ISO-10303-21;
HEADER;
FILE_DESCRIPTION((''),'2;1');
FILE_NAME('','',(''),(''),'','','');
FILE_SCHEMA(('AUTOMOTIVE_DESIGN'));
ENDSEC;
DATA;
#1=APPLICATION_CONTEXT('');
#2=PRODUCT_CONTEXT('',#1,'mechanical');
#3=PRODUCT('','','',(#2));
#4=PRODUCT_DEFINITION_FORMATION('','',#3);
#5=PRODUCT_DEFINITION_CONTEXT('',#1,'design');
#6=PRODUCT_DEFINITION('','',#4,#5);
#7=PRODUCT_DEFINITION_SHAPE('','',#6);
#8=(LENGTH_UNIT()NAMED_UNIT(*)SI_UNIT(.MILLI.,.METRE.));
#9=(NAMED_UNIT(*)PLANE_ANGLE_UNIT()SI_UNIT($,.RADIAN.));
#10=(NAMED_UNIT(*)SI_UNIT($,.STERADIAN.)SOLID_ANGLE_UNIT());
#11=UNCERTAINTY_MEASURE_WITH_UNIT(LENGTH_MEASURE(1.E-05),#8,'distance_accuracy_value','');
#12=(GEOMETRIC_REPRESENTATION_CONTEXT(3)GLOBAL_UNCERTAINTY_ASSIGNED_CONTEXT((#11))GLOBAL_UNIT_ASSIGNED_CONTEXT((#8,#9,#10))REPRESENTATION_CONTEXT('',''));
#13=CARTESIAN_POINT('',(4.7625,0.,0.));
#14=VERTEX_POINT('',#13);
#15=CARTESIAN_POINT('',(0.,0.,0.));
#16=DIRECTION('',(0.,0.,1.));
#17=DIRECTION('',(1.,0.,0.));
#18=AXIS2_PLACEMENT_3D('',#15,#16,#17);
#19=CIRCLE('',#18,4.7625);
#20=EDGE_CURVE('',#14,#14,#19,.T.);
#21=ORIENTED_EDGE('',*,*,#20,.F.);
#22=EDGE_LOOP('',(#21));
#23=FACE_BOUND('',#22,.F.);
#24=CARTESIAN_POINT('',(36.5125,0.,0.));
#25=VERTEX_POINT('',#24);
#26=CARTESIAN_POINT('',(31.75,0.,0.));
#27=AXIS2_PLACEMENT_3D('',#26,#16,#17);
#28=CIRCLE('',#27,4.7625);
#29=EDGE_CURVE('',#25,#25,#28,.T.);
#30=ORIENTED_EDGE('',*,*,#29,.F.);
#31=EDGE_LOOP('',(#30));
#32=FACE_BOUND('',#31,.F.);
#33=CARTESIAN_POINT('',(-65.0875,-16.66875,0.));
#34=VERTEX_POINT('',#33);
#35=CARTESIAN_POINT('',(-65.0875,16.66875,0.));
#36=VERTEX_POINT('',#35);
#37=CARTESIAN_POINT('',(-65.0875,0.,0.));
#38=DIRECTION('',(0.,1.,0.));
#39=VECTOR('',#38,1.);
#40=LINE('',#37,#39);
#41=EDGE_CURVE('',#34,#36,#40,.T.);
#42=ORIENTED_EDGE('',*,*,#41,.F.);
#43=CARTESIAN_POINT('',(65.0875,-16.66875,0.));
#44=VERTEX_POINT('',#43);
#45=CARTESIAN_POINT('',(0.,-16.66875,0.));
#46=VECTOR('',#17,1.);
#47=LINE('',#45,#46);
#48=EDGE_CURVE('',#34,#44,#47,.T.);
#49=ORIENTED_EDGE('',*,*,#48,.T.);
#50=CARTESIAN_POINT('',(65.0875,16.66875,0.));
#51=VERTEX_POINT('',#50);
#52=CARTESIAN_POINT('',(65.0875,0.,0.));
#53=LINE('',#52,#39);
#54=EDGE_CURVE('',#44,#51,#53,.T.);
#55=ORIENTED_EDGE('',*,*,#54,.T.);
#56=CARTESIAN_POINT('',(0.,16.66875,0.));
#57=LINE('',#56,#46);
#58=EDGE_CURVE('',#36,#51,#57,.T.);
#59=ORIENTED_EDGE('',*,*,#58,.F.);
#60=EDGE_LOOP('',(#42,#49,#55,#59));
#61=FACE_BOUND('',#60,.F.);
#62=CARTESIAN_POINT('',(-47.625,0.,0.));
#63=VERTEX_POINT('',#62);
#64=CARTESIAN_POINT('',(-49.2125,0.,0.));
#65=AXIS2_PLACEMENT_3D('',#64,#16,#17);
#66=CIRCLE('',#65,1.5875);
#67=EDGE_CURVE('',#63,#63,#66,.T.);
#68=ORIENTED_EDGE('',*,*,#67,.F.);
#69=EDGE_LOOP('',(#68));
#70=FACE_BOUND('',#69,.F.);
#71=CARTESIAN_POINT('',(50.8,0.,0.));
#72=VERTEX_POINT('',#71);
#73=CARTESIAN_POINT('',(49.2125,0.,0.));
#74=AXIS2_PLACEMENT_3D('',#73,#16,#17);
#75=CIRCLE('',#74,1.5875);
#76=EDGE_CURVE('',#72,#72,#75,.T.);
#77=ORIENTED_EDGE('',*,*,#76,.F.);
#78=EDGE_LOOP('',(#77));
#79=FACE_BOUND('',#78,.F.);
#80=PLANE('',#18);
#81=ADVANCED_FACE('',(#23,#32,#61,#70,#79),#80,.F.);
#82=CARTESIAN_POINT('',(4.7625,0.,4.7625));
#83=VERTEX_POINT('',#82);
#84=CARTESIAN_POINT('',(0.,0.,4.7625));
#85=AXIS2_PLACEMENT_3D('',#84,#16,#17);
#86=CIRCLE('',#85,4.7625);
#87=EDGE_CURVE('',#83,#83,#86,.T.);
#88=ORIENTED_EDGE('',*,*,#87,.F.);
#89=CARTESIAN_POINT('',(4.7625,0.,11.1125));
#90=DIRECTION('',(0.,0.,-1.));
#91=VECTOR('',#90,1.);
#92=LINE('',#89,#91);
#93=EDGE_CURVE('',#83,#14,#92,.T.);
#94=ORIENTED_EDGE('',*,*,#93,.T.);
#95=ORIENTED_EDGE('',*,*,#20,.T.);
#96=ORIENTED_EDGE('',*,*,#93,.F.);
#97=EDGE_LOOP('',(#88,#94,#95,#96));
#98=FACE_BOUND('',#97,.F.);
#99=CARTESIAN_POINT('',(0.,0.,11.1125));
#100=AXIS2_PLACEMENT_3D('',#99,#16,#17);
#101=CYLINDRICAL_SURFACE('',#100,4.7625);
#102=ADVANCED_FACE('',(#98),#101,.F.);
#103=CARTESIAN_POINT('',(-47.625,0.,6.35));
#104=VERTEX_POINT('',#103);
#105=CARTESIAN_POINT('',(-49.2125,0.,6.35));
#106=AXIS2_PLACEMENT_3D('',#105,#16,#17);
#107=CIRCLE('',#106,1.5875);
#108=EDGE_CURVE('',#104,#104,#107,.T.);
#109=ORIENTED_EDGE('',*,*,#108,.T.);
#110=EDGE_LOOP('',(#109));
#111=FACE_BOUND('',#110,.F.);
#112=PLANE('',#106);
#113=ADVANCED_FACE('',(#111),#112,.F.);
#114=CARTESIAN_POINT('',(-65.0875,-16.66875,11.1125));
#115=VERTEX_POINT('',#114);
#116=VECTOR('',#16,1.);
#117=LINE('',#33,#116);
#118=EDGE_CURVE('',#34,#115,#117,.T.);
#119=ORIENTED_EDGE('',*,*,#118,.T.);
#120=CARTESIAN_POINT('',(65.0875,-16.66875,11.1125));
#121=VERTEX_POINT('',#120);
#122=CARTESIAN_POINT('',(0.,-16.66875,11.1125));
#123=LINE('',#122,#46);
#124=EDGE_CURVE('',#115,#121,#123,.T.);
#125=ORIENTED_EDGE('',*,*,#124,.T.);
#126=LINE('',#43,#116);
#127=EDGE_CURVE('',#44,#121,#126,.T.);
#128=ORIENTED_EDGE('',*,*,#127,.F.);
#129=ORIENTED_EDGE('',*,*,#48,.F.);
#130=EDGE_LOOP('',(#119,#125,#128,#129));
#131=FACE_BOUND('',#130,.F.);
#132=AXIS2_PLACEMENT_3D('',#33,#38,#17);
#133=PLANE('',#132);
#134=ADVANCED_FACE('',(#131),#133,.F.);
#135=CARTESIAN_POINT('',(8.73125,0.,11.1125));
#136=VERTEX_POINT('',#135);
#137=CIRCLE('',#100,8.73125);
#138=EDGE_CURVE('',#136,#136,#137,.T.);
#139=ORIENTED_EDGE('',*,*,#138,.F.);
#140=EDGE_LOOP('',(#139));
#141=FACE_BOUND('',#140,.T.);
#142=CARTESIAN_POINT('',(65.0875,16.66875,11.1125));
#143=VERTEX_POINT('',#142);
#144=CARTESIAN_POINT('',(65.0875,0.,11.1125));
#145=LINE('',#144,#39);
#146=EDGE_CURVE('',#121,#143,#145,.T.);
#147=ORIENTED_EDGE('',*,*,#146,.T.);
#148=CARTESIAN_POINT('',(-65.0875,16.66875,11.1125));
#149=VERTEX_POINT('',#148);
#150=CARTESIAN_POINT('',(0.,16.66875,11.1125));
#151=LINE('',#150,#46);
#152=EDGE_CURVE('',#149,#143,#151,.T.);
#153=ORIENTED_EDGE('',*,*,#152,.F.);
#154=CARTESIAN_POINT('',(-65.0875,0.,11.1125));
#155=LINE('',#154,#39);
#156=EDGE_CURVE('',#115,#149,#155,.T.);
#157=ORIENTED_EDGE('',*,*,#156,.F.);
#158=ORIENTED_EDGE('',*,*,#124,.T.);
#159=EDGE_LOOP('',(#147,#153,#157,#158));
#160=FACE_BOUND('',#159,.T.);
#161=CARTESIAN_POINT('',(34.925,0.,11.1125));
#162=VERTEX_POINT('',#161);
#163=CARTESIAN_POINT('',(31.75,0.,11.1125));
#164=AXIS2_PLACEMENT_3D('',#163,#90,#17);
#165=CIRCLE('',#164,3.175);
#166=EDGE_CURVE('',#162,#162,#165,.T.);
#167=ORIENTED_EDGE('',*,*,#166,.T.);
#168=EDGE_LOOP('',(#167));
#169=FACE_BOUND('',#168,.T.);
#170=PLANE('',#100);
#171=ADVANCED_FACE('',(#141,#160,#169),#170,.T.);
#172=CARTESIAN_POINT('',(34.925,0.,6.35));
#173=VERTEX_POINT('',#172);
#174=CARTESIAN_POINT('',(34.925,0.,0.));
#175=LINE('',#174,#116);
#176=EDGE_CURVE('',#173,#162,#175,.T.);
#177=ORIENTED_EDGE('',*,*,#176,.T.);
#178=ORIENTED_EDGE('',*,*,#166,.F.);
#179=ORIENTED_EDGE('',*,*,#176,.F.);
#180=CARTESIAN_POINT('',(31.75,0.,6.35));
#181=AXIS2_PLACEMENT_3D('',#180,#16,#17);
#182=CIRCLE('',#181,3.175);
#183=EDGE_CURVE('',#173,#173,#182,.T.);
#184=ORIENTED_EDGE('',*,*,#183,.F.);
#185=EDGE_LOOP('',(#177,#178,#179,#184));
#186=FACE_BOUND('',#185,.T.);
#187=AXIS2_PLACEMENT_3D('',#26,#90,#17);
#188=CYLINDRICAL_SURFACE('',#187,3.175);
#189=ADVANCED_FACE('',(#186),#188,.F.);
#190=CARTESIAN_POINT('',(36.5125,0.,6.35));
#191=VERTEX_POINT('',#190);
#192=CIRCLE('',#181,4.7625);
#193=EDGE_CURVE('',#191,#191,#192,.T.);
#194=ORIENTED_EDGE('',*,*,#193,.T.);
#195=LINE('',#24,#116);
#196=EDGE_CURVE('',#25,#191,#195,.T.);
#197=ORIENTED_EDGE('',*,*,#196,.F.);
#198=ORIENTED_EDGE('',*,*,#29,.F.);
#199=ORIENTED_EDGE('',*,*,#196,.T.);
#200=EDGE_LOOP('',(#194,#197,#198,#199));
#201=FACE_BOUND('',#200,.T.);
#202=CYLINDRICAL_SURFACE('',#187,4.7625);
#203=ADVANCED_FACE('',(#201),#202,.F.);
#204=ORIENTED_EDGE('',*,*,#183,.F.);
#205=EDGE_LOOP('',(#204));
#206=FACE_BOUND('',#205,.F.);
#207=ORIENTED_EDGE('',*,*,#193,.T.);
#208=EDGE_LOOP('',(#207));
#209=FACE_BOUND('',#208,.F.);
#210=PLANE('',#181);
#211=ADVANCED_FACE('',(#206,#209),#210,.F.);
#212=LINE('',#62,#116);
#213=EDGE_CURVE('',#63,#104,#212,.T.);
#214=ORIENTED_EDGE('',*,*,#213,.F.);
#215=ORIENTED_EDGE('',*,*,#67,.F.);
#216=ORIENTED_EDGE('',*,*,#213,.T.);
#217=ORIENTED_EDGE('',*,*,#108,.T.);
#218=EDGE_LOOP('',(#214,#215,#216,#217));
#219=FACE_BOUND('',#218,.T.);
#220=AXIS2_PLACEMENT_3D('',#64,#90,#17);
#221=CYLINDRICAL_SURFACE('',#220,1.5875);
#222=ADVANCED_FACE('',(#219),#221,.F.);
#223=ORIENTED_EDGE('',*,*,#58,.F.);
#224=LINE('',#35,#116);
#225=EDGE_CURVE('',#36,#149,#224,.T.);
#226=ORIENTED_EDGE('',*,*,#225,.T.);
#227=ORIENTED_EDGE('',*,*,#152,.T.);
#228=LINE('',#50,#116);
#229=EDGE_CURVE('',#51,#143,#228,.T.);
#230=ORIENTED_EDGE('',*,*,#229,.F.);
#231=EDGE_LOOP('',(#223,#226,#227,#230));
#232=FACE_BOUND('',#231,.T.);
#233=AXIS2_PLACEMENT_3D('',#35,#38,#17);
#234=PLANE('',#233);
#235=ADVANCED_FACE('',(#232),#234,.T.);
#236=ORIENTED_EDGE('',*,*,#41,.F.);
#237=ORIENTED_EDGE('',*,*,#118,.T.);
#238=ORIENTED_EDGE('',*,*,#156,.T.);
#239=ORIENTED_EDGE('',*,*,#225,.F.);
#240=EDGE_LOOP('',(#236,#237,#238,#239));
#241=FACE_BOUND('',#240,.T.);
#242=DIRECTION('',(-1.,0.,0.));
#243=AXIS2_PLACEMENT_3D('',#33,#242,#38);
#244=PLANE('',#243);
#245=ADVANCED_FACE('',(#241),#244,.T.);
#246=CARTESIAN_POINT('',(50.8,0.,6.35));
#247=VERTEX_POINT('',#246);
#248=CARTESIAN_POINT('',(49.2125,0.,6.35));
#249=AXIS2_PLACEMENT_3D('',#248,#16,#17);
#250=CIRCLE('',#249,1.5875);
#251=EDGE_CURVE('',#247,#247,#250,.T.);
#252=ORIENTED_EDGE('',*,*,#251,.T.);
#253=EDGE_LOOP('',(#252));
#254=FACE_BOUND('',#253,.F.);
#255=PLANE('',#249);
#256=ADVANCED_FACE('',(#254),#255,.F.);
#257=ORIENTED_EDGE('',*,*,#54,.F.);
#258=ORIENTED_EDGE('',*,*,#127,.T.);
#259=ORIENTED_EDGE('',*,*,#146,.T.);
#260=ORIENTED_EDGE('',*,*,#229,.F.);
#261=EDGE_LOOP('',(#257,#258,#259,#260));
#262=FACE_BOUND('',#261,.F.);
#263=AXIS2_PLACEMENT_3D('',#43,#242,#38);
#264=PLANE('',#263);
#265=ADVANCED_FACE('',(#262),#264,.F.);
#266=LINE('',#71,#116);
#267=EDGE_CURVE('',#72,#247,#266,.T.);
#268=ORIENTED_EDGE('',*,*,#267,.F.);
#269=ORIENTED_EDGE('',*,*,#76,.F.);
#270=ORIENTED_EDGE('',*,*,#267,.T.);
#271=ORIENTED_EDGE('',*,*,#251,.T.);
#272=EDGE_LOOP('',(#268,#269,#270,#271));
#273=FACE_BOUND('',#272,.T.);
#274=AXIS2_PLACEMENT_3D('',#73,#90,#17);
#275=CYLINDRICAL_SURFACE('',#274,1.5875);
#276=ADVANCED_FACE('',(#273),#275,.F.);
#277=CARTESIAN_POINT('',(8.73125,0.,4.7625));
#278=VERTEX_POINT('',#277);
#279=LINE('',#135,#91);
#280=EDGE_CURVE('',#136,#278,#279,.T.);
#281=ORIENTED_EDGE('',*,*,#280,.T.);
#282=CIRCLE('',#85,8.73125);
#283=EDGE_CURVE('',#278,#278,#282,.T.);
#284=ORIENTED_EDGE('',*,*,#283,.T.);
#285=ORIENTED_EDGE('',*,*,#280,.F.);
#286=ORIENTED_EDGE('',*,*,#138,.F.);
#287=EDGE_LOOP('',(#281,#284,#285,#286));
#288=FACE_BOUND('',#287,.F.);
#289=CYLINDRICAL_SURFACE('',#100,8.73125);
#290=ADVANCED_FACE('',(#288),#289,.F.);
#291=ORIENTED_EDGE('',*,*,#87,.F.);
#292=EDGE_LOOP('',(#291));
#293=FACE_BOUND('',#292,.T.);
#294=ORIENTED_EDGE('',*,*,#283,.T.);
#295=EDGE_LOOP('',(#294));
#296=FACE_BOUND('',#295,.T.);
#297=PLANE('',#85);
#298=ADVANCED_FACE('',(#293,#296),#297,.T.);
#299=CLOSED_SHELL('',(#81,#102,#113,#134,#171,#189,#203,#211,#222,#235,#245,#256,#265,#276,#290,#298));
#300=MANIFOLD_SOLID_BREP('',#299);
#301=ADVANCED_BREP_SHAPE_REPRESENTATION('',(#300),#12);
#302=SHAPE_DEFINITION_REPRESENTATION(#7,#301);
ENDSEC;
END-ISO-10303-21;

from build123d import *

# Parameters (mm, degrees)
F0_W      = 130.175
F0_H      = 33.3375
F1_DEPTH  = 11.1125
F2_R      = 8.73125
F2_R_2    = 4.7625
F3_DEPTH  = 6.35
F3_FACE_R = 4.7625
F4_DEPTH  = 11.1135
F5_R      = 1.5875
F6_DEPTH  = 6.35
F5_R_2    = 3.175
F7_DEPTH  = 11.1135
F5_R_3    = 4.7625
F8_DEPTH  = 6.35


with BuildPart() as f1:
    # F0 (on Top) → F1 (new body)
    with BuildSketch(Plane.XY):
        Rectangle(F0_W, F0_H)
    extrude(amount=F1_DEPTH)

    # F2 (on face) → F3 (cut)
    with BuildSketch(Plane.XY.offset(11.1125)):
        Circle(F2_R)
        Circle(F2_R_2, mode=Mode.SUBTRACT)
    extrude(amount=-F3_DEPTH, mode=Mode.SUBTRACT)

    # F3_face (on face) → F4 (cut, through all)
    with BuildSketch(Plane.XY.offset(11.1125)):
        Circle(F3_FACE_R)
    extrude(amount=-F4_DEPTH, mode=Mode.SUBTRACT)

    # F5 (on face) → F6 (cut)
    with BuildSketch(Plane.XY):
        with Locations((-49.2125, 0)):
            Circle(F5_R)
        with Locations((49.2125, 0)):
            Circle(F5_R)
    extrude(amount=F6_DEPTH, mode=Mode.SUBTRACT)

    # F5 (on face) → F7 (cut, through all)
    with BuildSketch(Plane.XY):
        with Locations((31.75, 0)):
            Circle(F5_R_2)
    extrude(amount=F7_DEPTH, mode=Mode.SUBTRACT)

    # F5 (on face) → F8 (cut)
    with BuildSketch(Plane.XY):
        with Locations((31.75, 0)):
            Circle(F5_R_3)
        with Locations((31.75, 0)):
            Circle(F5_R_2, mode=Mode.SUBTRACT)
    extrude(amount=F8_DEPTH, mode=Mode.SUBTRACT)


solid = f1.part
